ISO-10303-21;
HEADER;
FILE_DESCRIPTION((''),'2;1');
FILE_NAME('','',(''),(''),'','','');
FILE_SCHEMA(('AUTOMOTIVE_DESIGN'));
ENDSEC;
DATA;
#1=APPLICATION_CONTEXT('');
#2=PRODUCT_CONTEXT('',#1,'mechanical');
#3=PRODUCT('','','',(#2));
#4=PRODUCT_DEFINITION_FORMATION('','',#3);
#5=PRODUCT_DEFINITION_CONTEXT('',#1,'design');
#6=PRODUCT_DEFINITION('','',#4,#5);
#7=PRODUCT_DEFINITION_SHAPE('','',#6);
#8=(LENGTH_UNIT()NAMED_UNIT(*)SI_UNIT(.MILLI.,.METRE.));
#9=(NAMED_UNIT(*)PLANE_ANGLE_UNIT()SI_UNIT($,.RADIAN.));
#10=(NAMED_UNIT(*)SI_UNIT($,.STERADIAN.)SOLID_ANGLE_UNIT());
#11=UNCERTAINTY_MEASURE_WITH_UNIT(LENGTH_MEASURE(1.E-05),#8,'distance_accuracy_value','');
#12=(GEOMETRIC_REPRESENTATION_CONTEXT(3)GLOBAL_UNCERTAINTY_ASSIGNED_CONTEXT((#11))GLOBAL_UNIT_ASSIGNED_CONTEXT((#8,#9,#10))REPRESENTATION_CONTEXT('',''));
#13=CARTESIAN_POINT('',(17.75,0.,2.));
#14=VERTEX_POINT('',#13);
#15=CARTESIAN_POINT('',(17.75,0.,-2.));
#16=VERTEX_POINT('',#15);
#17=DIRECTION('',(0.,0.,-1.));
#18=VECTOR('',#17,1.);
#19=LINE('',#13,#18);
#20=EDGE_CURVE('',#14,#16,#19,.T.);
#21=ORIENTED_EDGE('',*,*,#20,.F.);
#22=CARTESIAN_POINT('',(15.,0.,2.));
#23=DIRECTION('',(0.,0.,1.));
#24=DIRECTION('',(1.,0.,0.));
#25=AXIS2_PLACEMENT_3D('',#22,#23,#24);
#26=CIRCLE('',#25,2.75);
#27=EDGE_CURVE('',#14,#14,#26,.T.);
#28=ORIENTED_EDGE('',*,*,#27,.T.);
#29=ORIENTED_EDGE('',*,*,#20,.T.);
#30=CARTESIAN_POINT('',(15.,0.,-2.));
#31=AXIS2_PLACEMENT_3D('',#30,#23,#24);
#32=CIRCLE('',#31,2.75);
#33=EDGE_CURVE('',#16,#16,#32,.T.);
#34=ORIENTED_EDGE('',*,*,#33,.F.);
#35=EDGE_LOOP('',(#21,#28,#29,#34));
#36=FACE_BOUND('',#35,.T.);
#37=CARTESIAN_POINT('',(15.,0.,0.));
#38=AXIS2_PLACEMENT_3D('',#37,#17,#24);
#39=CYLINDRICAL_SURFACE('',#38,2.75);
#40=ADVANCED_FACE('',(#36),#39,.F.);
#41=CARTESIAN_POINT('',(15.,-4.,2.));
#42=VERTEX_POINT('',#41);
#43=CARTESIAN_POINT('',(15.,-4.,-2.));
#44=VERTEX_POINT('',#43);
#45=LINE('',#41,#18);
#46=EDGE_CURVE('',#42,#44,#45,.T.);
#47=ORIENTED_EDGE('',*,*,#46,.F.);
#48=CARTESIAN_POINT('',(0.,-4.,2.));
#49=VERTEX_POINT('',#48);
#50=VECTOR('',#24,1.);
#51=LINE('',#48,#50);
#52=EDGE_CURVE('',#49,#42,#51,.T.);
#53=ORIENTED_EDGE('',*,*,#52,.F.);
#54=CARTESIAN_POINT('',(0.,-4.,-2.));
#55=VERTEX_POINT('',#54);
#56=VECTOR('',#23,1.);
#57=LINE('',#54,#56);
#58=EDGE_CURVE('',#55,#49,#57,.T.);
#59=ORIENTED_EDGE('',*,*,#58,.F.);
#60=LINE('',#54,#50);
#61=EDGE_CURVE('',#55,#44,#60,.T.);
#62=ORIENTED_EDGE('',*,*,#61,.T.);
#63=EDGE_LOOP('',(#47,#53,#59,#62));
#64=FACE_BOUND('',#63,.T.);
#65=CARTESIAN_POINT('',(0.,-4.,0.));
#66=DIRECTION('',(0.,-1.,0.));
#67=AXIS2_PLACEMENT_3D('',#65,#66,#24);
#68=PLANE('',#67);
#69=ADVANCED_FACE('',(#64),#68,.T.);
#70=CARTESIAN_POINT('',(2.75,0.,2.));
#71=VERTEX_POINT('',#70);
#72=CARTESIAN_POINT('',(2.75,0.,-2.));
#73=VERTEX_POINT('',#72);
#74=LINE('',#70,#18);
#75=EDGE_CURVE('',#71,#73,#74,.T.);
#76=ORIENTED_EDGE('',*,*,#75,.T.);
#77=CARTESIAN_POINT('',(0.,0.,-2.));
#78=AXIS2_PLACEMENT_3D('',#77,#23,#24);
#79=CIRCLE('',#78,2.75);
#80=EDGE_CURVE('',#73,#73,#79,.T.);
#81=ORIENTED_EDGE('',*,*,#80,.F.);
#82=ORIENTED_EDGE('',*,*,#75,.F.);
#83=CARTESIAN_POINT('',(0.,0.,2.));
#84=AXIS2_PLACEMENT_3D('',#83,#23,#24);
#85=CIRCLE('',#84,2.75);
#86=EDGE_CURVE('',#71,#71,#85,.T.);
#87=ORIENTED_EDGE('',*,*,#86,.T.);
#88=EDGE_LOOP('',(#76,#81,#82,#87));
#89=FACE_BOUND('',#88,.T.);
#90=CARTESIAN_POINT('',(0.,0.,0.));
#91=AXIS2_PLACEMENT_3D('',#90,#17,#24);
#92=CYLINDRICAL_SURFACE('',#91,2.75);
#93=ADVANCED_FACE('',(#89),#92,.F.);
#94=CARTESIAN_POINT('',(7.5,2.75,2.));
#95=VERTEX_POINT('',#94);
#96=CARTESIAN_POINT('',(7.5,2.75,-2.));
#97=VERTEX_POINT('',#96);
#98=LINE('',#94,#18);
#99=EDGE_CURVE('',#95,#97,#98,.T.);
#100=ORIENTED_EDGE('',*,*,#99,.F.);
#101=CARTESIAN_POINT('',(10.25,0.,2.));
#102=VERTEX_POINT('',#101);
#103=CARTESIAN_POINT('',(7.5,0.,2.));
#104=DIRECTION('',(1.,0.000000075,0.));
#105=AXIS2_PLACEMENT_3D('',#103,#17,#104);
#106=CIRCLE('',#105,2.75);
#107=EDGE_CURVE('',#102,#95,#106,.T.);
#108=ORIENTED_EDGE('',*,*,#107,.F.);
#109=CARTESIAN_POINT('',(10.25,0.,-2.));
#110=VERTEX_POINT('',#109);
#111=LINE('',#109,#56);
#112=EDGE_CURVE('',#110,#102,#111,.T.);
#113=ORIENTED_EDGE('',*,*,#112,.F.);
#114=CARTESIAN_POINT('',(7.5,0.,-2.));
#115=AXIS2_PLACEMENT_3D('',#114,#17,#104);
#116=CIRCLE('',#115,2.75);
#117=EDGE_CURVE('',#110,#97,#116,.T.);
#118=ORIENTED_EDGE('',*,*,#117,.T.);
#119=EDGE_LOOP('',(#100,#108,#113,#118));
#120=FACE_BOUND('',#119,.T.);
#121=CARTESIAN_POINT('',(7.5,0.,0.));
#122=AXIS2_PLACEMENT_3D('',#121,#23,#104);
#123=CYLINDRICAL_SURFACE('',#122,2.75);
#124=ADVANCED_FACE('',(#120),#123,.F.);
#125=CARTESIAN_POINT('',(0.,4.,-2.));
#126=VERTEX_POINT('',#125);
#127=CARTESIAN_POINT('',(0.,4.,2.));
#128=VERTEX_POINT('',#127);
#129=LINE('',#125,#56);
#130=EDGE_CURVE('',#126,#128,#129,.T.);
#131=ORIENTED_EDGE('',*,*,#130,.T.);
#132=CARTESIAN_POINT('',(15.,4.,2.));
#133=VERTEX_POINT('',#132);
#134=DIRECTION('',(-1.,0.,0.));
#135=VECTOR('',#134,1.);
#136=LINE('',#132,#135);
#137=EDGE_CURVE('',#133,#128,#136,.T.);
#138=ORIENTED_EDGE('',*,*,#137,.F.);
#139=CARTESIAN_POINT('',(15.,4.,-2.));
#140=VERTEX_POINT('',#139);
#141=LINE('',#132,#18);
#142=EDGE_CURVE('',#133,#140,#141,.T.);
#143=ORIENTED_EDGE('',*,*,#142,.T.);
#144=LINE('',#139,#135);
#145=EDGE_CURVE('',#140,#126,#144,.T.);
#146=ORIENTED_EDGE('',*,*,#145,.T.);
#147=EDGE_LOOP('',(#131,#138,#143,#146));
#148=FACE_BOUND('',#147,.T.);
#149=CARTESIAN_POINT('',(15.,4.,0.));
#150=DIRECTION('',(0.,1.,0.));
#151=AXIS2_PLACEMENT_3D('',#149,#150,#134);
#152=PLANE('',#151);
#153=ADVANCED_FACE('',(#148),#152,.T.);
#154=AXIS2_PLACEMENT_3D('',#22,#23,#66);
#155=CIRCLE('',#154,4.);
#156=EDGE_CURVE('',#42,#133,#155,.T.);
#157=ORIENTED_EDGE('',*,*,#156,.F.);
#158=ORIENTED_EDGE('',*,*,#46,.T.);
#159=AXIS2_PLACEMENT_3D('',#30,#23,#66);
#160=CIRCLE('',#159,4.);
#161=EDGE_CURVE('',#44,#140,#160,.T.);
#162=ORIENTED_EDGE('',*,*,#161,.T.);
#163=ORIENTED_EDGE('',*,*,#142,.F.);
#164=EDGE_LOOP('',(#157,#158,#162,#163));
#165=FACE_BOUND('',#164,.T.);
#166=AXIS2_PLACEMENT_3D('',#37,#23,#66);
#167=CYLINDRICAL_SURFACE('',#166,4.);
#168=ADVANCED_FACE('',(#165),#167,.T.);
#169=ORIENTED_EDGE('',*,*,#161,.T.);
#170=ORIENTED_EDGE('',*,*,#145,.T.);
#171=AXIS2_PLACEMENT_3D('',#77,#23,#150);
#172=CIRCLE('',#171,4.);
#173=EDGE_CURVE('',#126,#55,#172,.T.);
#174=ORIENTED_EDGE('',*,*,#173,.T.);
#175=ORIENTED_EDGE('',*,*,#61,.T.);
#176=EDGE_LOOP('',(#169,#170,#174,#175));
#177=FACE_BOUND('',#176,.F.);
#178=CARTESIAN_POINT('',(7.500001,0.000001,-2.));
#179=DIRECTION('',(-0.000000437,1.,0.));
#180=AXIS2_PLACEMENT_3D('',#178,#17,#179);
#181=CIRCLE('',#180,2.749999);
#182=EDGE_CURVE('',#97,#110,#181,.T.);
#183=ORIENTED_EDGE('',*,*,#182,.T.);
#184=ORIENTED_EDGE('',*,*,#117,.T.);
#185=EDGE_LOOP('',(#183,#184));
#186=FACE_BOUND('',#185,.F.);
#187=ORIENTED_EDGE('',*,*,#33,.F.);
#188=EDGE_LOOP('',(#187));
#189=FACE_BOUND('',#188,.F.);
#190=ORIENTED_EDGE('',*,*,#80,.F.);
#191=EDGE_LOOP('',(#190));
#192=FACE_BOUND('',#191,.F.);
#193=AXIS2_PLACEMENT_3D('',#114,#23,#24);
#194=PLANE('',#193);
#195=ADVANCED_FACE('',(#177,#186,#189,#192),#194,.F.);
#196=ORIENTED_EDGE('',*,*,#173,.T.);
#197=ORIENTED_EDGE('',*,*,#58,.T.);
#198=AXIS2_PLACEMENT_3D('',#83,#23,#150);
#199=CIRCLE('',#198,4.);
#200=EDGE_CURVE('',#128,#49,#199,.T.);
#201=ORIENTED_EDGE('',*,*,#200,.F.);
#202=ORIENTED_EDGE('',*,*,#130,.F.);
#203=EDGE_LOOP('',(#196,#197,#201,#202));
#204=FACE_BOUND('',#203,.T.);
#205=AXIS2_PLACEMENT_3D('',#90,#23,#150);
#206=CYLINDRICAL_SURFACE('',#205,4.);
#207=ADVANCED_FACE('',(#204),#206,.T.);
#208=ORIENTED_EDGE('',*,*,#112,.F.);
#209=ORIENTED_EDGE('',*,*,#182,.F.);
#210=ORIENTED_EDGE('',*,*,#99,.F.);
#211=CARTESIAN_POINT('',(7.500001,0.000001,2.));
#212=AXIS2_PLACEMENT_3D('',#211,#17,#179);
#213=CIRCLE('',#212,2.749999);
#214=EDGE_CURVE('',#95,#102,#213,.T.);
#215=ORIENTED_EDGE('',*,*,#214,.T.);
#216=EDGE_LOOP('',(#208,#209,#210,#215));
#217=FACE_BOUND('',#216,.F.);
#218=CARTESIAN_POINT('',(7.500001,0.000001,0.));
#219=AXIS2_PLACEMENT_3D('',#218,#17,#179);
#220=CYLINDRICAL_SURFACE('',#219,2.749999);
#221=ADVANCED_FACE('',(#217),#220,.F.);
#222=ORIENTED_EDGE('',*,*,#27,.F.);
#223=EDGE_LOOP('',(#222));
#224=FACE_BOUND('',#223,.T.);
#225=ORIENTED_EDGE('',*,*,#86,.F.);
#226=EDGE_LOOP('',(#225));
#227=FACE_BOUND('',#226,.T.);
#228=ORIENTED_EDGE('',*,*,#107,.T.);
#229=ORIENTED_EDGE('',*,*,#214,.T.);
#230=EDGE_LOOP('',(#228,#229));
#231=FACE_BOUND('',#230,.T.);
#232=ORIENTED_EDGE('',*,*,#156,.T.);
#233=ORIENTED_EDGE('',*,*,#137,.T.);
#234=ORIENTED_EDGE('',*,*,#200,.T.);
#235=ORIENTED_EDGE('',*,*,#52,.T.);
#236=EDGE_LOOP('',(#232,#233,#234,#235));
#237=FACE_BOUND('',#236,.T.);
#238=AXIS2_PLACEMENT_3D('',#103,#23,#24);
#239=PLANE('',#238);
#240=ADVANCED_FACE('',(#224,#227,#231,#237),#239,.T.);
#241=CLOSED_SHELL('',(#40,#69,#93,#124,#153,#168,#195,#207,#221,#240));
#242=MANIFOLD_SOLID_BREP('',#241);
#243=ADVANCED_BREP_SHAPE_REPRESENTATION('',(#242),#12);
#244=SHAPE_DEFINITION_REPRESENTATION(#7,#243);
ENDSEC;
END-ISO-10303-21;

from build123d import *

# Parameters (mm, degrees)
F0_R     = 2.75
F1_DEPTH = 2


with BuildPart() as f1:
    # F0 (on Top) → F1 (new body, symmetric)
    with BuildSketch(Plane.XY):
        with BuildLine():
            Line((15, 4), (7.5, 4))
            Line((7.5, 4), (0, 4))
            ThreePointArc((0, 4), (-4, 0), (0, -4))
            Line((0, -4), (15, -4))
            ThreePointArc((15, -4), (19, 0), (15, 4))
        make_face()
        Circle(F0_R, mode=Mode.SUBTRACT)
        with BuildLine():
            ThreePointArc((7.5, 2.75), (9.444544, 1.944544), (10.25, 0))
            ThreePointArc((10.25, 0), (5.555456, -1.944544), (7.5, 2.75))
        make_face(mode=Mode.SUBTRACT)
        with Locations((15, 0)):
            Circle(F0_R, mode=Mode.SUBTRACT)
    extrude(amount=F1_DEPTH, both=True)


solid = f1.part
